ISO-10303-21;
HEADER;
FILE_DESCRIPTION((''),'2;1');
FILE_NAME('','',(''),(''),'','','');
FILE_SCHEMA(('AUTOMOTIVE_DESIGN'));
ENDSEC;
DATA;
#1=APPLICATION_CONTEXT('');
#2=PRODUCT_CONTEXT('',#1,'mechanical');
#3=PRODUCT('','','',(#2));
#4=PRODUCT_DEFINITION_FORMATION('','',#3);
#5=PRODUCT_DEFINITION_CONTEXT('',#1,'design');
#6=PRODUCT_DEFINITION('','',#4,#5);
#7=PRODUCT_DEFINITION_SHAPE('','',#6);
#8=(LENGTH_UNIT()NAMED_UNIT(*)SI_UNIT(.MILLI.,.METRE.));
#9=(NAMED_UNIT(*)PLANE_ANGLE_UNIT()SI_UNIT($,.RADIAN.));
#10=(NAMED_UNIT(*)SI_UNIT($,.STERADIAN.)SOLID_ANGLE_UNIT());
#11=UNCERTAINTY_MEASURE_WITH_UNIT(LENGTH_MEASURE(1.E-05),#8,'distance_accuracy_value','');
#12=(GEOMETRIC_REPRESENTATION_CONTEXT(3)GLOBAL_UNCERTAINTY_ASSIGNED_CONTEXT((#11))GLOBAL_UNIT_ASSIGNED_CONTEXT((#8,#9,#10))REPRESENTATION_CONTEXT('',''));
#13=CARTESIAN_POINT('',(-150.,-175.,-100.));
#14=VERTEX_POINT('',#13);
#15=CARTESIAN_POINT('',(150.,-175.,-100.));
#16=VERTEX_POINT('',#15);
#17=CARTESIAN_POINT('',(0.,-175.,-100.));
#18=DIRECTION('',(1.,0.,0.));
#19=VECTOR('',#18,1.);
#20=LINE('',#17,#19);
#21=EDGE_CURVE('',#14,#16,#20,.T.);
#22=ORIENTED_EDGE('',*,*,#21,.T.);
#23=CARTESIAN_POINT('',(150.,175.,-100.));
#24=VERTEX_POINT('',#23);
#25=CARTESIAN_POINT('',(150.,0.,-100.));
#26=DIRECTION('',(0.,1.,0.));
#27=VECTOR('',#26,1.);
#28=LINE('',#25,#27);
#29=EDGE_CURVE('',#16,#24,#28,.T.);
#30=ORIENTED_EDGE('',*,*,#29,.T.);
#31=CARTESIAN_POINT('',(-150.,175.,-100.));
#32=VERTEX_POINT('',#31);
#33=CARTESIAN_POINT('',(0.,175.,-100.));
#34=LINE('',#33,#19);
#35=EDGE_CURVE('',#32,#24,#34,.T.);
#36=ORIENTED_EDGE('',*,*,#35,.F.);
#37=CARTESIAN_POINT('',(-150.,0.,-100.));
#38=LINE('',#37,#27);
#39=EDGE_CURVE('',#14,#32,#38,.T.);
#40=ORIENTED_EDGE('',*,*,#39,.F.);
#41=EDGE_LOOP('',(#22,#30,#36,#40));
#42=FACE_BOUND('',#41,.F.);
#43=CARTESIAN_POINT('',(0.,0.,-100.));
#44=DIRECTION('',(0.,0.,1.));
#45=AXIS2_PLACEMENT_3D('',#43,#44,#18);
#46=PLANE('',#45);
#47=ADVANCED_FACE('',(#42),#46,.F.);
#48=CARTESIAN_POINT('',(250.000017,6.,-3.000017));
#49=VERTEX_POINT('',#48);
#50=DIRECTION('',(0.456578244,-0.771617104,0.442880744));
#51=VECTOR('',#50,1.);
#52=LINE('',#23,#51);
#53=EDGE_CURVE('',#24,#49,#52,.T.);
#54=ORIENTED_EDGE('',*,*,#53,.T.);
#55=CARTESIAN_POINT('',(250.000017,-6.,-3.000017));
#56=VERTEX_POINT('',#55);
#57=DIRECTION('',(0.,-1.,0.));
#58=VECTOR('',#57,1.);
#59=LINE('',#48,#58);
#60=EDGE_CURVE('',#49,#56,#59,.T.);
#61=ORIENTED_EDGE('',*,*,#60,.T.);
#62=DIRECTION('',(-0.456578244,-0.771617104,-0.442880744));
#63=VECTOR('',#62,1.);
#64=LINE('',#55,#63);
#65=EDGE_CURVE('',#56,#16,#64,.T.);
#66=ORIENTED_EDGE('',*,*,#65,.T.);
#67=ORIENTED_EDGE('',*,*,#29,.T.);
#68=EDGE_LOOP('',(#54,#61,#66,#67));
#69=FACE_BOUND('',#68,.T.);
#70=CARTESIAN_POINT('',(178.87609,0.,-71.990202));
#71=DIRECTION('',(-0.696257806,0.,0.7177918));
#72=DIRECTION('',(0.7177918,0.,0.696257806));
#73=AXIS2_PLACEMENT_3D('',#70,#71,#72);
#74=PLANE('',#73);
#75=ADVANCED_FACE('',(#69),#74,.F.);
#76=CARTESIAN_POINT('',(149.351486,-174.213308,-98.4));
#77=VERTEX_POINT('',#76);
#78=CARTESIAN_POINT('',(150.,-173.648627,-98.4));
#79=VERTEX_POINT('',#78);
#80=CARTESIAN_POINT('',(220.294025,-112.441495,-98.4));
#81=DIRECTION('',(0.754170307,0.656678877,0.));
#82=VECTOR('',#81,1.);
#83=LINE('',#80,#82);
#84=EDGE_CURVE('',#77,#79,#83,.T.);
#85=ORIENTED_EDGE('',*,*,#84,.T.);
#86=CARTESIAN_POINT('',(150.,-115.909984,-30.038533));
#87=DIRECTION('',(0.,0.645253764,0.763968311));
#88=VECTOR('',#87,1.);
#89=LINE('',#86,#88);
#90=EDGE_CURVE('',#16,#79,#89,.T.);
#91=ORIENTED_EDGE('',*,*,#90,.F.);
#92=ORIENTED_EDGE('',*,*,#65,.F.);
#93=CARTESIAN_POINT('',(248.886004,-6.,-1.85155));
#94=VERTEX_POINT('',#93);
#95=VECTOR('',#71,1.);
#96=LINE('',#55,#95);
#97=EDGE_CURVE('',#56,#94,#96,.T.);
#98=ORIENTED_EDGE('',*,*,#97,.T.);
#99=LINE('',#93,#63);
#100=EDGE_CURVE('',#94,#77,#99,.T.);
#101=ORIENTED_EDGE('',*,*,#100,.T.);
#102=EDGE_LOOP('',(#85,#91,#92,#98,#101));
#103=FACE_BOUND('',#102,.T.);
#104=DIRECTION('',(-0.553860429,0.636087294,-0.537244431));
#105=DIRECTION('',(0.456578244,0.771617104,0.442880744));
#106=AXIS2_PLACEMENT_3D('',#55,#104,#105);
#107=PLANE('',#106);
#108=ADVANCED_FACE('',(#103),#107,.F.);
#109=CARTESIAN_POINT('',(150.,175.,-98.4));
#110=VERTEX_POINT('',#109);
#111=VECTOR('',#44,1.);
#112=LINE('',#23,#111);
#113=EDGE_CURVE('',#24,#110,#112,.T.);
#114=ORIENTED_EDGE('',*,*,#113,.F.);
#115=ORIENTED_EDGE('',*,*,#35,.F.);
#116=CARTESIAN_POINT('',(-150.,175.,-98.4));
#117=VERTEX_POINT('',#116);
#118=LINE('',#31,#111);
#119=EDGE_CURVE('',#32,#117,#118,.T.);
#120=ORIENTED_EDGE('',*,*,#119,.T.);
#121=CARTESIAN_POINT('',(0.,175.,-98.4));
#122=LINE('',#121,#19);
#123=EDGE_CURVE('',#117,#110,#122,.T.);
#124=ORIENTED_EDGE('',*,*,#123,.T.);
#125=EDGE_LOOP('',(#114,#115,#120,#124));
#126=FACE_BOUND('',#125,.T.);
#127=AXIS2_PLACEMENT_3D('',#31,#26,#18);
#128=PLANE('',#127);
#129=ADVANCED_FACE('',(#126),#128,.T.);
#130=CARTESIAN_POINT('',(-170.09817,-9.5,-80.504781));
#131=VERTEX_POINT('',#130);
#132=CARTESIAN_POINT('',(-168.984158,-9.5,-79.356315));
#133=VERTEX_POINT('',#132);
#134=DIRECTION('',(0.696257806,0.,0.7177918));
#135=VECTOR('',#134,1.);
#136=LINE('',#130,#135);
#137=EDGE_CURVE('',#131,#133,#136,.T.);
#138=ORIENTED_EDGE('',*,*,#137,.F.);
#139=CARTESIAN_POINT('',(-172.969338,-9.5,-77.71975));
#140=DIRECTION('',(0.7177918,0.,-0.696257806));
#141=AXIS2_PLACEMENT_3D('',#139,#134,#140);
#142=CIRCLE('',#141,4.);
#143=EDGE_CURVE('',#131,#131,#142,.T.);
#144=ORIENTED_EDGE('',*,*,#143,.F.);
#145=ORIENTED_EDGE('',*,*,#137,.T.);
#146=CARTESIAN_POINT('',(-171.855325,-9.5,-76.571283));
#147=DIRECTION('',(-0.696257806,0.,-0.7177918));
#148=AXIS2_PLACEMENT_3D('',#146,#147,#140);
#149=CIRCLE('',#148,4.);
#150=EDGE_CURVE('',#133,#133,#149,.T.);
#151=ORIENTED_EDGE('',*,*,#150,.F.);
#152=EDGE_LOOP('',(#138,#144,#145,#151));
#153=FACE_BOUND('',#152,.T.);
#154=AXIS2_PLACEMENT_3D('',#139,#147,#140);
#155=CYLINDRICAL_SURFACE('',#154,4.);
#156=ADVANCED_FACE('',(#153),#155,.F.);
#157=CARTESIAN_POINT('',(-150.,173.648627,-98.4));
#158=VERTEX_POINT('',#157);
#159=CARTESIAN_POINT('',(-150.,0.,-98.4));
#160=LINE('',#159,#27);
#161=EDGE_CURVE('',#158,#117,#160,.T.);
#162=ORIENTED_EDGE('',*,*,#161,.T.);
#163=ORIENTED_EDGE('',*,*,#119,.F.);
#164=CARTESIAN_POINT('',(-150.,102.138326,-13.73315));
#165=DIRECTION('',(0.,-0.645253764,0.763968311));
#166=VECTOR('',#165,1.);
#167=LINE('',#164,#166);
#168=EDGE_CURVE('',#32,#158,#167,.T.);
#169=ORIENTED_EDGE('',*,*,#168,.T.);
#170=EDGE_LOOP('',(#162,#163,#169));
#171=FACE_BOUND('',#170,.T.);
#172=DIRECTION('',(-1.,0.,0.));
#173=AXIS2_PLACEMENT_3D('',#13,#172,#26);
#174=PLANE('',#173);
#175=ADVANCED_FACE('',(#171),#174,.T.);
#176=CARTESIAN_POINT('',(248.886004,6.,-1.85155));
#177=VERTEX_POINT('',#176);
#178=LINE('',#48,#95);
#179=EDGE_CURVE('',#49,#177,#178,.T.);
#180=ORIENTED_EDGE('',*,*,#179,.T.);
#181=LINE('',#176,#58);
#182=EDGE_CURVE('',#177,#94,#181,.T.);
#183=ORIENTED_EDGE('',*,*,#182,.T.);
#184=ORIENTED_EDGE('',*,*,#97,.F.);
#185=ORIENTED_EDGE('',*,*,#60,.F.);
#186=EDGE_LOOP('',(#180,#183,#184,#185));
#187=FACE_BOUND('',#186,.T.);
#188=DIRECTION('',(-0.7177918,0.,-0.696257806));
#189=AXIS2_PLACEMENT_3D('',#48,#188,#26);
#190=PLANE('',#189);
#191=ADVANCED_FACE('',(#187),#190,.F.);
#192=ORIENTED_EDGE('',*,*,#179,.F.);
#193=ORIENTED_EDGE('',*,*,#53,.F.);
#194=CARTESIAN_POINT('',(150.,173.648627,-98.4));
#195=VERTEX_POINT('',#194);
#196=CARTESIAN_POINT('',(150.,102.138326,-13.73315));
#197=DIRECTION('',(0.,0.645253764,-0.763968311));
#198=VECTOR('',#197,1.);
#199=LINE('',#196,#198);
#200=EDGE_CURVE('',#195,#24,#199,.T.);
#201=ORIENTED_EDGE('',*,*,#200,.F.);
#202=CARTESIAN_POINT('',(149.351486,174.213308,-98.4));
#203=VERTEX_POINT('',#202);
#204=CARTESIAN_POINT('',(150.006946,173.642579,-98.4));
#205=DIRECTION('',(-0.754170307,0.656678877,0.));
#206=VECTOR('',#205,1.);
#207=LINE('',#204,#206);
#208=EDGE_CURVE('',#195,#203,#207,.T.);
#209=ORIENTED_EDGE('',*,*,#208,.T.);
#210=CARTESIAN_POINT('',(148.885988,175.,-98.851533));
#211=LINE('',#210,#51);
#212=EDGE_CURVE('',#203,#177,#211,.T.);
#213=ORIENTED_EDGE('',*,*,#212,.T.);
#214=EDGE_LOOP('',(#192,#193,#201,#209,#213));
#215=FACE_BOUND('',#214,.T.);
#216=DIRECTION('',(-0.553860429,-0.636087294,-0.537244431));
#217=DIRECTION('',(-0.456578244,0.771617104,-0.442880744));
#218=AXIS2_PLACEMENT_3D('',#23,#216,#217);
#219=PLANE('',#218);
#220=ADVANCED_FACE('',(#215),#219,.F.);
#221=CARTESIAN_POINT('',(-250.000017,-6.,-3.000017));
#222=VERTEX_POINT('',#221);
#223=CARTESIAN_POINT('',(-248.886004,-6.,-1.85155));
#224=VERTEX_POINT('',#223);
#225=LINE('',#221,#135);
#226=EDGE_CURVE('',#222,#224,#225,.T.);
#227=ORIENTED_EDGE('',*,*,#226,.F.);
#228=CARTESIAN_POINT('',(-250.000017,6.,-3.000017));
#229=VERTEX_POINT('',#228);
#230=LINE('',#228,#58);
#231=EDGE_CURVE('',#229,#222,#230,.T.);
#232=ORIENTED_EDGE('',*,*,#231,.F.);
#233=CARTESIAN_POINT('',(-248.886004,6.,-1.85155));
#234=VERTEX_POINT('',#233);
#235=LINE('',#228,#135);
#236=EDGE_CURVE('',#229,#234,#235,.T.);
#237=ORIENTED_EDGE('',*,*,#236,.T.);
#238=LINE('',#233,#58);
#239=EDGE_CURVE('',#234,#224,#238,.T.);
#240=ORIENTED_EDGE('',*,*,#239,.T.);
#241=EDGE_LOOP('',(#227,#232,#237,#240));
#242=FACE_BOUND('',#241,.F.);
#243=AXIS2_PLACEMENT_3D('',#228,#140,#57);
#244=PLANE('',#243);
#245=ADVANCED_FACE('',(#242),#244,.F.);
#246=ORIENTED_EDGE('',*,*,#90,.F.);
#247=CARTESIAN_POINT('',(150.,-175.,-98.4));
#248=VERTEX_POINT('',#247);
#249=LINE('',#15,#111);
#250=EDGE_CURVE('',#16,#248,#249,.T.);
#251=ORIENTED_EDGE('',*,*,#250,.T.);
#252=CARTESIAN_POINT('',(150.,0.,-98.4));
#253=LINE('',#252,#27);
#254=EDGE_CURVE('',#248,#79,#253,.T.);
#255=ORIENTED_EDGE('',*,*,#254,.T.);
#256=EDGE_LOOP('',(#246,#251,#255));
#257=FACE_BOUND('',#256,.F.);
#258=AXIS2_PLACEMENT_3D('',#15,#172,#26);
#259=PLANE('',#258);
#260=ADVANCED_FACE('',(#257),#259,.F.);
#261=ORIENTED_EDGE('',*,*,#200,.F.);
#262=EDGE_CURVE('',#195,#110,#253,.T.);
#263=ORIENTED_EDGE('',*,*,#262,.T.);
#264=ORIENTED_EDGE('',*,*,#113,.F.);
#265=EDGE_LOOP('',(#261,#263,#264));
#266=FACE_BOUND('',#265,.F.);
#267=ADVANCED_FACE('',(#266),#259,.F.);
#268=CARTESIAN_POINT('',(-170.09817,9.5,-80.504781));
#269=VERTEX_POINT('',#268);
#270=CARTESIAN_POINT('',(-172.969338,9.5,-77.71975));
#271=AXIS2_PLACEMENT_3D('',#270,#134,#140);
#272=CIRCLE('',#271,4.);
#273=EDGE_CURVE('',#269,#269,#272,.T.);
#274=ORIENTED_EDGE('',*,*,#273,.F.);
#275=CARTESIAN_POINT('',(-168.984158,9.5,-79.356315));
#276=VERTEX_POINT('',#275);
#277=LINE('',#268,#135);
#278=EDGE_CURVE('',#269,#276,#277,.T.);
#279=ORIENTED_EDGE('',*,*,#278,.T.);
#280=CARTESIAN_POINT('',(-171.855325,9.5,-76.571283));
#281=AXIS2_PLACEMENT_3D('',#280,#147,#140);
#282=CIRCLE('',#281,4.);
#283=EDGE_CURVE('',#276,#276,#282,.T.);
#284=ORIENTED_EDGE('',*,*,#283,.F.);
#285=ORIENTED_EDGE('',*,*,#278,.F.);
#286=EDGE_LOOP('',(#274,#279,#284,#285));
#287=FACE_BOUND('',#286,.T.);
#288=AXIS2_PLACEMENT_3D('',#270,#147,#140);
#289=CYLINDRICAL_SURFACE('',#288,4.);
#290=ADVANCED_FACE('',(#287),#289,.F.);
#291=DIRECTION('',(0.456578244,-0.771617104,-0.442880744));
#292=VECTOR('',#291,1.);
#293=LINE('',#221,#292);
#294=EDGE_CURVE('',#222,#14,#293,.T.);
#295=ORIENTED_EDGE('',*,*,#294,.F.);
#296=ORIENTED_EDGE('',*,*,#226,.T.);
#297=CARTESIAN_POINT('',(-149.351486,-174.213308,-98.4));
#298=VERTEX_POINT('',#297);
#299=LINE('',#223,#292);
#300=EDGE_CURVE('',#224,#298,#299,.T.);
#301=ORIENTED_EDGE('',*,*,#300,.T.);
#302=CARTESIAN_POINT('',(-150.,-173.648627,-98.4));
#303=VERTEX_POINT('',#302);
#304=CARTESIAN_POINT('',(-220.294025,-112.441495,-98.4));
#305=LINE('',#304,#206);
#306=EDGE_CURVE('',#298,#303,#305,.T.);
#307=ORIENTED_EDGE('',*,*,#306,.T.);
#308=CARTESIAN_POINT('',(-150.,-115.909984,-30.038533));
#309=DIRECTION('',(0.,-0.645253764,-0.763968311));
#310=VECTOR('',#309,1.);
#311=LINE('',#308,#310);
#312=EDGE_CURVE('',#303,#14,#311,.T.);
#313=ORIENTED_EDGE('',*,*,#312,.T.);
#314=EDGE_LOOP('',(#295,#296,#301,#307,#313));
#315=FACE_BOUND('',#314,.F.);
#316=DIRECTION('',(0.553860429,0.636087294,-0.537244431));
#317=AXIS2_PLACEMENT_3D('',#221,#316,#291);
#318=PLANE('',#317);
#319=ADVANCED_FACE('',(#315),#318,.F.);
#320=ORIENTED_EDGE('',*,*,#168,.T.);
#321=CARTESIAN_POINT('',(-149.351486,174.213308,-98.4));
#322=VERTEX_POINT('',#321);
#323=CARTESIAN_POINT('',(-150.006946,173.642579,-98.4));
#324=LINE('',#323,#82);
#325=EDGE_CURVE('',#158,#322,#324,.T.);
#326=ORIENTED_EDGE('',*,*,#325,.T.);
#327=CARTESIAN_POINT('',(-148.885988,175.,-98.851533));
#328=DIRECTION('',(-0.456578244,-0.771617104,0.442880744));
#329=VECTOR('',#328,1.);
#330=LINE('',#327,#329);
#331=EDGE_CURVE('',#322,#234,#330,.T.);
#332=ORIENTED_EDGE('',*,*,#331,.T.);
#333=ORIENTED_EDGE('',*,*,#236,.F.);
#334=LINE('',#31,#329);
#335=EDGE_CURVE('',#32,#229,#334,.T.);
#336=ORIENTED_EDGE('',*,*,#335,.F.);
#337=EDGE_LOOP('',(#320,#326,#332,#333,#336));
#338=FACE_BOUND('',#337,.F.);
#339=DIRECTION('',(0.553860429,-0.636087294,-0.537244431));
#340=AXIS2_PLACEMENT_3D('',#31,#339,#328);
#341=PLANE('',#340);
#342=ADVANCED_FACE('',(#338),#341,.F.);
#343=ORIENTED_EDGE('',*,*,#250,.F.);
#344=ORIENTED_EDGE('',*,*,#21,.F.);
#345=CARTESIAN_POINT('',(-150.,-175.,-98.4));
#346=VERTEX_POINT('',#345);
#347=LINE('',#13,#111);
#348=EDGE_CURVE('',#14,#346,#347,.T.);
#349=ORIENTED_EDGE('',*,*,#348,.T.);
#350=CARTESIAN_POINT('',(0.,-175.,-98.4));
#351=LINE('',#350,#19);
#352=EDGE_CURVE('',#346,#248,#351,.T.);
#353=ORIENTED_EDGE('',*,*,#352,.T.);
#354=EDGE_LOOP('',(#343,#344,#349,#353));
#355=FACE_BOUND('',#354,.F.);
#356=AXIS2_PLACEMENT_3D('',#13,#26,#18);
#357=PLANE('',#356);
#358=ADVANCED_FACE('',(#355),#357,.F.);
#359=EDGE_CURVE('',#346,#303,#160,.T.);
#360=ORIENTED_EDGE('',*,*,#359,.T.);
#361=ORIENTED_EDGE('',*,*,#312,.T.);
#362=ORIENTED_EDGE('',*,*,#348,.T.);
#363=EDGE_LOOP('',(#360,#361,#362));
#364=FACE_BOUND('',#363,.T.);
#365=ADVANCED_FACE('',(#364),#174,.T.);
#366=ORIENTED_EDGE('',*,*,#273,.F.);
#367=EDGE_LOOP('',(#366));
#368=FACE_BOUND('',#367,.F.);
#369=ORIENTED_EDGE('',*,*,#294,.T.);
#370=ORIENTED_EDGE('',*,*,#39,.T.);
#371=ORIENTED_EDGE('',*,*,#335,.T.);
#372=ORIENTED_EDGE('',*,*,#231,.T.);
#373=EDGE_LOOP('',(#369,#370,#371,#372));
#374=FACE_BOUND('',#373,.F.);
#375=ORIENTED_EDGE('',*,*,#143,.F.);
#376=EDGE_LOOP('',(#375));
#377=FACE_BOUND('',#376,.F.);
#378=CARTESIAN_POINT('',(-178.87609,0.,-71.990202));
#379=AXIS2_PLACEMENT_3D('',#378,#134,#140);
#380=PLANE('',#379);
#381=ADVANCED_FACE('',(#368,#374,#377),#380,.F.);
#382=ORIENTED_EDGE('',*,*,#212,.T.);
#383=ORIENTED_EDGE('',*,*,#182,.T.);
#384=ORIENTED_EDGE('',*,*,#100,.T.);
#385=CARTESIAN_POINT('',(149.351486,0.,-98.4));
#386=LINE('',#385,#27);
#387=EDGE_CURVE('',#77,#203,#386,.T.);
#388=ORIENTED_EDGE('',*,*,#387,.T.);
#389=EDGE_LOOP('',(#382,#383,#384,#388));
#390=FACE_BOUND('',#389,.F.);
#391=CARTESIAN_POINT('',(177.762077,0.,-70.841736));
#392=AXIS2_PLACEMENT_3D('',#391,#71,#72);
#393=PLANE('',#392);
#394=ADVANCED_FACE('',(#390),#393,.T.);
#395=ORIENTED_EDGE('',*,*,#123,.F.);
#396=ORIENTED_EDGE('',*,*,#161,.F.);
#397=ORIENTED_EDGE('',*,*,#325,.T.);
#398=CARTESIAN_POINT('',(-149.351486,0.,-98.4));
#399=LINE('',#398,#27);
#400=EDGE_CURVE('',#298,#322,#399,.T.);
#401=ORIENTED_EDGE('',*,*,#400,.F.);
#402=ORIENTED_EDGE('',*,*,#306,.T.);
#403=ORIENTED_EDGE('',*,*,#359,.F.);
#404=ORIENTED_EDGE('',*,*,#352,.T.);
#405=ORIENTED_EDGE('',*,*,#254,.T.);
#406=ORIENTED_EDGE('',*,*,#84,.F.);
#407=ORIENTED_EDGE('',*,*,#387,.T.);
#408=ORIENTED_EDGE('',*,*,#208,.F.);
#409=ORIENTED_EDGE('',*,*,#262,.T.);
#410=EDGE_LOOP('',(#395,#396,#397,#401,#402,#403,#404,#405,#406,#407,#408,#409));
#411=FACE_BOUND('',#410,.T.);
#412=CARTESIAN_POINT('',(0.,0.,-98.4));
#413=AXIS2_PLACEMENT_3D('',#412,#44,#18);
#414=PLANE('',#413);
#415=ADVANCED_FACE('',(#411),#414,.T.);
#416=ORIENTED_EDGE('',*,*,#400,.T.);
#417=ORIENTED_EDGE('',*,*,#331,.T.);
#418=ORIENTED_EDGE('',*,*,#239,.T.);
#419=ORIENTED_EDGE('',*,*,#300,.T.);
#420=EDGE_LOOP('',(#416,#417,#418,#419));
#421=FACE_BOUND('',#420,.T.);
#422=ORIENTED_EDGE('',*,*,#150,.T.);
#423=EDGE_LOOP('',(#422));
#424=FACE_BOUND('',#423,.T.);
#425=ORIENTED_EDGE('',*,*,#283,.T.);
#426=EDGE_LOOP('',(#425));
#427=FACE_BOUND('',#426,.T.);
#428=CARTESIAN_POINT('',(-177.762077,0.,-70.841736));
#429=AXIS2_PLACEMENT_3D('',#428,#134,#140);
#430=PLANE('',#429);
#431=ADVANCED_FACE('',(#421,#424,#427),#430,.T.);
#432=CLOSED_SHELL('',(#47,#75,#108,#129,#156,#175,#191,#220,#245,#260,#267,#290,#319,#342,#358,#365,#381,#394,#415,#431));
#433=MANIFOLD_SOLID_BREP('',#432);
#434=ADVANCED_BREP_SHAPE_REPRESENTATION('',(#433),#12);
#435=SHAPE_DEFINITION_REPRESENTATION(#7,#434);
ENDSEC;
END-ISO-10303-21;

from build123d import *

# Parameters (mm, degrees)
SKETCH003_W  = 300
SKETCH003_H  = 350
PAD003_DEPTH = 1.6
PAD004_DEPTH = 1.6
SKETCH005_R  = 4
POCKET_DEPTH = 348.954325


with BuildPart() as part:
    # Sketch003 → Pad003 (new body)
    with BuildSketch(Plane.XY):
        Rectangle(SKETCH003_W, SKETCH003_H)
    extrude(amount=PAD003_DEPTH)

    # Sketch004 (on Local_CS) → Pad004 (join)
    with BuildSketch(Plane(origin=(-150, 0, 0), x_dir=(0.717792, 0, -0.696258), z_dir=(0.696258, 0, 0.717792))):
        Polygon((0, -175), (0, 175), (-139.316187, 6), (-139.316187, -6), align=None)
    pad004 = extrude(amount=PAD004_DEPTH)

    # Mirrored001: Pad004 across YZ
    add(pad004.mirror(Plane.YZ))

    # Sketch005 (on Local_CS) → Pocket (cut, through all)
    with BuildSketch(Plane(origin=(-150, 0, 0), x_dir=(0.717792, 0, -0.696258), z_dir=(0.696258, 0, 0.717792))):
        with Locations((-32, 9.5)):
            Circle(SKETCH005_R)
        with Locations((-32, -9.5)):
            Circle(SKETCH005_R)
    extrude(amount=POCKET_DEPTH, mode=Mode.SUBTRACT)


with BuildPart() as part_1:
    # Body002 placement: moved
    add(part.part.moved(Location((0, 0, -100))))


solid = part_1.part
